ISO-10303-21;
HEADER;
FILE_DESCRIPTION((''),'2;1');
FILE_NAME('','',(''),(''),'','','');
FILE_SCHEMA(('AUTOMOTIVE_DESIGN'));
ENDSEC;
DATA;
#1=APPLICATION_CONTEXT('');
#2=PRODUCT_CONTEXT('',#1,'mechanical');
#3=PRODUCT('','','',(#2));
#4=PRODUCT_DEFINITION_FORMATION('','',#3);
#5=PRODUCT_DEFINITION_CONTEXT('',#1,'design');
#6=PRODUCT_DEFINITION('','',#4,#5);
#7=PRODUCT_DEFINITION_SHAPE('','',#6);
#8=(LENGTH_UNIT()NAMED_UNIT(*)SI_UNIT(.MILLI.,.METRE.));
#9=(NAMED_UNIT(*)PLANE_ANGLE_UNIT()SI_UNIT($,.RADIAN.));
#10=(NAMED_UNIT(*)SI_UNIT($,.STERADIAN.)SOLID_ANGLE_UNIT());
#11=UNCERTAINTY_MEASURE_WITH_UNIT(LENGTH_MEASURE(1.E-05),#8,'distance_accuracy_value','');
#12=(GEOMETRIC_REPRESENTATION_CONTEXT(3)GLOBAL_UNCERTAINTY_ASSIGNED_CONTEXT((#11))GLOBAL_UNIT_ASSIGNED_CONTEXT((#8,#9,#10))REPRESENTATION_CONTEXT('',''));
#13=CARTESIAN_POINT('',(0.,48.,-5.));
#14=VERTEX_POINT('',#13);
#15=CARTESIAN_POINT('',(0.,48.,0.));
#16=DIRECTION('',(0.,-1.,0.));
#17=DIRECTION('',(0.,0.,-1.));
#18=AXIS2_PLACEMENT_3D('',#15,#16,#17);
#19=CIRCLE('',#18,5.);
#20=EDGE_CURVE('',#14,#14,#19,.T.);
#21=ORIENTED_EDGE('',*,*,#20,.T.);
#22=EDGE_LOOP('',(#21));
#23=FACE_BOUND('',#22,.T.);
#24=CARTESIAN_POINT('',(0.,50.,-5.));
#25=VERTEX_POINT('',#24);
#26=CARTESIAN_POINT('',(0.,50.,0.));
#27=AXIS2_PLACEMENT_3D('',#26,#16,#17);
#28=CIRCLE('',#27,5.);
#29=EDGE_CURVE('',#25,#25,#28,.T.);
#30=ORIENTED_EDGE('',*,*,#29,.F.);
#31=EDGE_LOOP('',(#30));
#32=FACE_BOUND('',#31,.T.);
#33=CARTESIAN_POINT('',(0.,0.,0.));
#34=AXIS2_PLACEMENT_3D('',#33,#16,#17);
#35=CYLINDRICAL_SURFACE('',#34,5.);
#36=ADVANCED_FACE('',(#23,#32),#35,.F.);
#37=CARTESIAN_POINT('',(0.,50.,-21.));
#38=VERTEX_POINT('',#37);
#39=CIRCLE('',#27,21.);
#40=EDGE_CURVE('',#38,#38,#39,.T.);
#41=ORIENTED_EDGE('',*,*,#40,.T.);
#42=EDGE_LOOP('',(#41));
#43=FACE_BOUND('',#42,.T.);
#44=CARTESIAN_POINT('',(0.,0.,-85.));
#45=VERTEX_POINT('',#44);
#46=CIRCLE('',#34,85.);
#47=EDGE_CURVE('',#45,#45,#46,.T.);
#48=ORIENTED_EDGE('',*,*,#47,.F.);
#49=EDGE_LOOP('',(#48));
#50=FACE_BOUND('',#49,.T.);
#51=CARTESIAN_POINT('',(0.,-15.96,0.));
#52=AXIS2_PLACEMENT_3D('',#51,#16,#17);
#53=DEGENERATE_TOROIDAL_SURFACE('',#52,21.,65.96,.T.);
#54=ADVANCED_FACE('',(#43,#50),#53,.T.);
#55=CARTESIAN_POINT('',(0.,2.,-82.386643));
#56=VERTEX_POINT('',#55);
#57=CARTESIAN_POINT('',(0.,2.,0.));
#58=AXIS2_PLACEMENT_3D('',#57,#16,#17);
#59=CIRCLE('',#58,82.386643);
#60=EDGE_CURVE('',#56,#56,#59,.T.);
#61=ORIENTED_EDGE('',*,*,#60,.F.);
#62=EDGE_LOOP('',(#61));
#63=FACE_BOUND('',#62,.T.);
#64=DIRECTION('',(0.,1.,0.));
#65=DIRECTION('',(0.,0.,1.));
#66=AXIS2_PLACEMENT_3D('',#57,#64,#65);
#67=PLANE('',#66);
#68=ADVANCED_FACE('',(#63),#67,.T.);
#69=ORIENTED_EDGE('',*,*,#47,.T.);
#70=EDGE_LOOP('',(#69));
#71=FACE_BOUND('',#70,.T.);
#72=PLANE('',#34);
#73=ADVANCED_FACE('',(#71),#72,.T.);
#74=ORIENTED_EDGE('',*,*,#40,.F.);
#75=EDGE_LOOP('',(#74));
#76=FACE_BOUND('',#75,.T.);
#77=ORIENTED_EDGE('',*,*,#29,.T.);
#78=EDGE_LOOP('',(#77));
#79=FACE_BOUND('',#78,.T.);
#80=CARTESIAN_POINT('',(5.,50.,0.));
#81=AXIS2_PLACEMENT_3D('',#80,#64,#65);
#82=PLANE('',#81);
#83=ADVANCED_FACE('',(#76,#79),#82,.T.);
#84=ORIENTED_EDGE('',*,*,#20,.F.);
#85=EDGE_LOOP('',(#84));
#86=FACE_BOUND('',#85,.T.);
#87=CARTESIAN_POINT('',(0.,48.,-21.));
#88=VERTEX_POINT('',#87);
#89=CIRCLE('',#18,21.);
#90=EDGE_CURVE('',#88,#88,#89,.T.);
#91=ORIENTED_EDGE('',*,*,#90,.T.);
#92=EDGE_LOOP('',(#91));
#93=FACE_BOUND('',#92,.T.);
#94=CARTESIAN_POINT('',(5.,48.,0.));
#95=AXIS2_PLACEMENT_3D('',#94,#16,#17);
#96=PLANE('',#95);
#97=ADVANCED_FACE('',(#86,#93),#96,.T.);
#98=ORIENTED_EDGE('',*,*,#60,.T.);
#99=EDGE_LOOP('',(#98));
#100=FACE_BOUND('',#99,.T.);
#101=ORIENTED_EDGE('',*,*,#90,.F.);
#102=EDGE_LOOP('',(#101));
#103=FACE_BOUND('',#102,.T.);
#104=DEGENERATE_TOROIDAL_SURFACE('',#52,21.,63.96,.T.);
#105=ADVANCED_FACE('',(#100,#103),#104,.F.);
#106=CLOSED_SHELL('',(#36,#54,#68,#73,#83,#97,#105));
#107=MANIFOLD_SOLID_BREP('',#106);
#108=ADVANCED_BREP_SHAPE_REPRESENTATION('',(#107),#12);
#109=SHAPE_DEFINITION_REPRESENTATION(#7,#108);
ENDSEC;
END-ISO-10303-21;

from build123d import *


with BuildPart() as part:
    # Croquis1 → Revolución1 (revolve)
    with BuildSketch(Plane.XY):
        with BuildLine():
            Line((0, 0), (85, 0))
            ThreePointArc((85, 0), (61.607881008, 36.018087691), (21, 50))
            Line((21, 50), (5, 50))
            Line((5, 50), (5, 48))
            Line((5, 48), (21, 48))
            ThreePointArc((21, 48), (59.354660734, 35.223997499), (82.386643498, 2))
            Line((82.386643498, 2), (0, 2))
            Line((0, 2), (0, 0))
        make_face()
    revolve(axis=Axis((0, 0, 0), (0, 1, 0)))


solid = part.part
